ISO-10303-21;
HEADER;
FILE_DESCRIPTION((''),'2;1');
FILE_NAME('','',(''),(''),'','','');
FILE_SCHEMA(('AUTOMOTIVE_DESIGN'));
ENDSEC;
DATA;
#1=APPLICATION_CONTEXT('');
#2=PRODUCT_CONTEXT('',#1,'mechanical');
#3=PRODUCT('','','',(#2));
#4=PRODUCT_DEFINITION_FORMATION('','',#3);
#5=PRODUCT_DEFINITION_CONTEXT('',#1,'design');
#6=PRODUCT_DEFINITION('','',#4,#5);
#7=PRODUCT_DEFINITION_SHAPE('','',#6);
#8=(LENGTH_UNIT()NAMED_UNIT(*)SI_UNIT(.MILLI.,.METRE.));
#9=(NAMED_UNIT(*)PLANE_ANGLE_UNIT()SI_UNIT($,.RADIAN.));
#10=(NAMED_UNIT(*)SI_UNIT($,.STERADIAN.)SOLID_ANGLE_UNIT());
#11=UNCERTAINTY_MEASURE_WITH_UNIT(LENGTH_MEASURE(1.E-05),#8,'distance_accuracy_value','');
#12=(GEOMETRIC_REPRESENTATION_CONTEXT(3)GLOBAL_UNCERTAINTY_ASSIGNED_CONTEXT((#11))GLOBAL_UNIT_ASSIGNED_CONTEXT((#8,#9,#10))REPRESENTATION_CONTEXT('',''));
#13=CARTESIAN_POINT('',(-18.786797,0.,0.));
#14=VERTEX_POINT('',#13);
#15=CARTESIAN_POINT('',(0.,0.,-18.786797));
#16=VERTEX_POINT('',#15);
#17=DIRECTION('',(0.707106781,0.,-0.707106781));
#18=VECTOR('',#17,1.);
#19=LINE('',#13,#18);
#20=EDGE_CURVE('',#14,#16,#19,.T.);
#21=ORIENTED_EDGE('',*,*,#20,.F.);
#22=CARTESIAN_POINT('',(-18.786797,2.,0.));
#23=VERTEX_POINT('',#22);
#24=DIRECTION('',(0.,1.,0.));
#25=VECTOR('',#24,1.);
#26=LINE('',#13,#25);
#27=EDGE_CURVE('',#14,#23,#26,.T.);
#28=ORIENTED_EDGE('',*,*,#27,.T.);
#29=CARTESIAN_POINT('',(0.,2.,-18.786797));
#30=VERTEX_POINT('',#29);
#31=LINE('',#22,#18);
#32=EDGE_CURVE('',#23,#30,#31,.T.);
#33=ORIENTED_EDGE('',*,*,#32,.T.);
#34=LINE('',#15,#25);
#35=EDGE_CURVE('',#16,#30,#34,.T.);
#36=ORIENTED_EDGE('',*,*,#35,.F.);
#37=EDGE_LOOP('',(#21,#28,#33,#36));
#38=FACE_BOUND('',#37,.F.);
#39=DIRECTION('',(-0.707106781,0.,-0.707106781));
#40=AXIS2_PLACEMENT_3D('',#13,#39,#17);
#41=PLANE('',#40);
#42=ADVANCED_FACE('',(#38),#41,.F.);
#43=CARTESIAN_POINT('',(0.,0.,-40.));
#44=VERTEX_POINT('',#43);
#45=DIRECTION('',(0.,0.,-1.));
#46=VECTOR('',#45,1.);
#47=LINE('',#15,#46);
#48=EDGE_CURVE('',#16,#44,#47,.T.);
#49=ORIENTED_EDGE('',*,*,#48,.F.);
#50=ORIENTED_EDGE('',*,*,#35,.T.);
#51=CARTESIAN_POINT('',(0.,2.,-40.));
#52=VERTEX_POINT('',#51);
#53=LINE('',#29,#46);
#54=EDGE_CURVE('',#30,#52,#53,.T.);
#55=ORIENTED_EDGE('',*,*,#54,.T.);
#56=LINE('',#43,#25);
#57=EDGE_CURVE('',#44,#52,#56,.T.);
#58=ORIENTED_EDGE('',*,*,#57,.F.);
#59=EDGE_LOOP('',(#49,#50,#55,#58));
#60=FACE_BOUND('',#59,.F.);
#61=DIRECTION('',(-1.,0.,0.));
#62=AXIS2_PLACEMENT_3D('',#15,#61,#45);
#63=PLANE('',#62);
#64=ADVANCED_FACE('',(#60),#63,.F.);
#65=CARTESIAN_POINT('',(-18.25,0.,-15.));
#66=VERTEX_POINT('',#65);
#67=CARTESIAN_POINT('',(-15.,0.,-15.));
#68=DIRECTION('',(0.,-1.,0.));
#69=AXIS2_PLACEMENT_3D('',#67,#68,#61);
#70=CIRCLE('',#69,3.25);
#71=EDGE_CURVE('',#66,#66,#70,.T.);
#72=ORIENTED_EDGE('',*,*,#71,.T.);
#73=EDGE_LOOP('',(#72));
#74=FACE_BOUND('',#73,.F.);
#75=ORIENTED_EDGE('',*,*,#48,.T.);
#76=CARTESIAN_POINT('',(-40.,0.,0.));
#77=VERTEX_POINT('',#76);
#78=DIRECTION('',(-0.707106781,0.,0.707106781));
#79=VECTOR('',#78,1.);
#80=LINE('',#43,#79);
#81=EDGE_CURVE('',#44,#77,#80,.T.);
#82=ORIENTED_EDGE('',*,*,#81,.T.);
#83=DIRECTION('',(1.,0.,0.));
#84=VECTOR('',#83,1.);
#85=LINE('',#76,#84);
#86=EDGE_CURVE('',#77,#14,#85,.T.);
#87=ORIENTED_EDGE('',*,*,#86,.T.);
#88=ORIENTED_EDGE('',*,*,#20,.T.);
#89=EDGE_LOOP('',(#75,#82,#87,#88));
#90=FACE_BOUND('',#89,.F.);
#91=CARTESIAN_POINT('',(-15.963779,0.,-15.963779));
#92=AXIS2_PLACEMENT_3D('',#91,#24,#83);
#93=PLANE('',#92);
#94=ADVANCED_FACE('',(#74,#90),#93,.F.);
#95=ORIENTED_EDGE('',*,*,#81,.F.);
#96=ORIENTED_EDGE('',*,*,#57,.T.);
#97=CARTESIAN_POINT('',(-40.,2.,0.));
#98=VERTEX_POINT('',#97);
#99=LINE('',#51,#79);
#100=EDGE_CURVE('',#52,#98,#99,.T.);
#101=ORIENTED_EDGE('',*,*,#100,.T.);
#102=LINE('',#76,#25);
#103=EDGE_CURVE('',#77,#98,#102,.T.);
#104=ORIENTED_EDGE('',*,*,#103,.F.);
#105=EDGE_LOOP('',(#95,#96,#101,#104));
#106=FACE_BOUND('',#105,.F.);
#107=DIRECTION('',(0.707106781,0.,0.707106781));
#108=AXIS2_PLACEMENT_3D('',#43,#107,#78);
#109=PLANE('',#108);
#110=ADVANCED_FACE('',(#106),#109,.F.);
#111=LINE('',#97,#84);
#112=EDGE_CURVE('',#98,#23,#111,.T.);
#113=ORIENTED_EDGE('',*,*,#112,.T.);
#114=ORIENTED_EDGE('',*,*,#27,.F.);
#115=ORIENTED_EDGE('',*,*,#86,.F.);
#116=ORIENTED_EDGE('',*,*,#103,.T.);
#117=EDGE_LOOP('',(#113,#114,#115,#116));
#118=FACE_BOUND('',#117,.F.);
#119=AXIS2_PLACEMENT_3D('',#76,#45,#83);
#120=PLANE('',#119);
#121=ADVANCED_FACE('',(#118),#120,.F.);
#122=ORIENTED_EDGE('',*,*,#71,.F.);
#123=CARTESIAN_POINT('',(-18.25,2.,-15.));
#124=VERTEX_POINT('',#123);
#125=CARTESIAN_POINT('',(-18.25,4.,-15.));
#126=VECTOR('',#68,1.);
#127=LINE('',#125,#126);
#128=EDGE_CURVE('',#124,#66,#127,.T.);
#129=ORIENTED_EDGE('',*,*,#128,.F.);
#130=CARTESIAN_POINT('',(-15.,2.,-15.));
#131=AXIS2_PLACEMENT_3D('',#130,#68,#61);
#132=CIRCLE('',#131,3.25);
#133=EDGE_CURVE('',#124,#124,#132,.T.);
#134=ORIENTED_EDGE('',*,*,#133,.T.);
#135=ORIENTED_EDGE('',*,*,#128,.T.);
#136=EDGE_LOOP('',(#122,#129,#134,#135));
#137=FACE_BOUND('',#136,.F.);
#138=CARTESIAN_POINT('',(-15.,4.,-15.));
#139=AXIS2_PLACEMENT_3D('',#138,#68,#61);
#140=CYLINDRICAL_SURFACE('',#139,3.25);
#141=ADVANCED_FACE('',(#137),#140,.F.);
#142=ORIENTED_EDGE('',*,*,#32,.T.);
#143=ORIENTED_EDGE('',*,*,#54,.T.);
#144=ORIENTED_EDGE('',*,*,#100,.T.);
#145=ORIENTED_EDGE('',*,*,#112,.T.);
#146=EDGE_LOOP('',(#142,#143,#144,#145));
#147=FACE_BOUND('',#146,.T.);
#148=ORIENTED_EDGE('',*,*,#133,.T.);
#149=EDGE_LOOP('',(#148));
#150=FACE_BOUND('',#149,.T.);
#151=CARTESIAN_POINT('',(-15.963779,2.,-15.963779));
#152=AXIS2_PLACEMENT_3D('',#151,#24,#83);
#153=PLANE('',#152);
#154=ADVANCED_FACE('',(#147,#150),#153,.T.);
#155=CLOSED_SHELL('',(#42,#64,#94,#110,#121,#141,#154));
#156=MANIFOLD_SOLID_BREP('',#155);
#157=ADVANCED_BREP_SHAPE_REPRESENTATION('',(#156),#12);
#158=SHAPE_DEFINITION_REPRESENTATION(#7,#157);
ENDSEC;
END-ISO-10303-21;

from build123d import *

# Parameters (mm, degrees)
EXTRUDE1_DEPTH                 = 2
F_6_5_6_5_DIAMETER_HOLE1_D     = 6.5
F_6_5_6_5_DIAMETER_HOLE1_DEPTH = 2


with BuildPart() as part:
    # Sketch1 → Extrude1 (new body)
    with BuildSketch(Plane(origin=(0, 0, 0), x_dir=(1, 0, 0), z_dir=(0, 1, 0))):
        Polygon((-40, 0), (-18.786796564, 0), (0, 18.786796564), (0, 40), align=None)
    extrude(amount=EXTRUDE1_DEPTH)

    # Ø6.5 (6.5) Diameter Hole1
    with Locations(Plane(origin=(0, 2, 0), x_dir=(1, 0, 0), z_dir=(0, 1, 0))):
        with Locations((-15, 15)):
            Hole(F_6_5_6_5_DIAMETER_HOLE1_D / 2, depth=F_6_5_6_5_DIAMETER_HOLE1_DEPTH)


solid = part.part
